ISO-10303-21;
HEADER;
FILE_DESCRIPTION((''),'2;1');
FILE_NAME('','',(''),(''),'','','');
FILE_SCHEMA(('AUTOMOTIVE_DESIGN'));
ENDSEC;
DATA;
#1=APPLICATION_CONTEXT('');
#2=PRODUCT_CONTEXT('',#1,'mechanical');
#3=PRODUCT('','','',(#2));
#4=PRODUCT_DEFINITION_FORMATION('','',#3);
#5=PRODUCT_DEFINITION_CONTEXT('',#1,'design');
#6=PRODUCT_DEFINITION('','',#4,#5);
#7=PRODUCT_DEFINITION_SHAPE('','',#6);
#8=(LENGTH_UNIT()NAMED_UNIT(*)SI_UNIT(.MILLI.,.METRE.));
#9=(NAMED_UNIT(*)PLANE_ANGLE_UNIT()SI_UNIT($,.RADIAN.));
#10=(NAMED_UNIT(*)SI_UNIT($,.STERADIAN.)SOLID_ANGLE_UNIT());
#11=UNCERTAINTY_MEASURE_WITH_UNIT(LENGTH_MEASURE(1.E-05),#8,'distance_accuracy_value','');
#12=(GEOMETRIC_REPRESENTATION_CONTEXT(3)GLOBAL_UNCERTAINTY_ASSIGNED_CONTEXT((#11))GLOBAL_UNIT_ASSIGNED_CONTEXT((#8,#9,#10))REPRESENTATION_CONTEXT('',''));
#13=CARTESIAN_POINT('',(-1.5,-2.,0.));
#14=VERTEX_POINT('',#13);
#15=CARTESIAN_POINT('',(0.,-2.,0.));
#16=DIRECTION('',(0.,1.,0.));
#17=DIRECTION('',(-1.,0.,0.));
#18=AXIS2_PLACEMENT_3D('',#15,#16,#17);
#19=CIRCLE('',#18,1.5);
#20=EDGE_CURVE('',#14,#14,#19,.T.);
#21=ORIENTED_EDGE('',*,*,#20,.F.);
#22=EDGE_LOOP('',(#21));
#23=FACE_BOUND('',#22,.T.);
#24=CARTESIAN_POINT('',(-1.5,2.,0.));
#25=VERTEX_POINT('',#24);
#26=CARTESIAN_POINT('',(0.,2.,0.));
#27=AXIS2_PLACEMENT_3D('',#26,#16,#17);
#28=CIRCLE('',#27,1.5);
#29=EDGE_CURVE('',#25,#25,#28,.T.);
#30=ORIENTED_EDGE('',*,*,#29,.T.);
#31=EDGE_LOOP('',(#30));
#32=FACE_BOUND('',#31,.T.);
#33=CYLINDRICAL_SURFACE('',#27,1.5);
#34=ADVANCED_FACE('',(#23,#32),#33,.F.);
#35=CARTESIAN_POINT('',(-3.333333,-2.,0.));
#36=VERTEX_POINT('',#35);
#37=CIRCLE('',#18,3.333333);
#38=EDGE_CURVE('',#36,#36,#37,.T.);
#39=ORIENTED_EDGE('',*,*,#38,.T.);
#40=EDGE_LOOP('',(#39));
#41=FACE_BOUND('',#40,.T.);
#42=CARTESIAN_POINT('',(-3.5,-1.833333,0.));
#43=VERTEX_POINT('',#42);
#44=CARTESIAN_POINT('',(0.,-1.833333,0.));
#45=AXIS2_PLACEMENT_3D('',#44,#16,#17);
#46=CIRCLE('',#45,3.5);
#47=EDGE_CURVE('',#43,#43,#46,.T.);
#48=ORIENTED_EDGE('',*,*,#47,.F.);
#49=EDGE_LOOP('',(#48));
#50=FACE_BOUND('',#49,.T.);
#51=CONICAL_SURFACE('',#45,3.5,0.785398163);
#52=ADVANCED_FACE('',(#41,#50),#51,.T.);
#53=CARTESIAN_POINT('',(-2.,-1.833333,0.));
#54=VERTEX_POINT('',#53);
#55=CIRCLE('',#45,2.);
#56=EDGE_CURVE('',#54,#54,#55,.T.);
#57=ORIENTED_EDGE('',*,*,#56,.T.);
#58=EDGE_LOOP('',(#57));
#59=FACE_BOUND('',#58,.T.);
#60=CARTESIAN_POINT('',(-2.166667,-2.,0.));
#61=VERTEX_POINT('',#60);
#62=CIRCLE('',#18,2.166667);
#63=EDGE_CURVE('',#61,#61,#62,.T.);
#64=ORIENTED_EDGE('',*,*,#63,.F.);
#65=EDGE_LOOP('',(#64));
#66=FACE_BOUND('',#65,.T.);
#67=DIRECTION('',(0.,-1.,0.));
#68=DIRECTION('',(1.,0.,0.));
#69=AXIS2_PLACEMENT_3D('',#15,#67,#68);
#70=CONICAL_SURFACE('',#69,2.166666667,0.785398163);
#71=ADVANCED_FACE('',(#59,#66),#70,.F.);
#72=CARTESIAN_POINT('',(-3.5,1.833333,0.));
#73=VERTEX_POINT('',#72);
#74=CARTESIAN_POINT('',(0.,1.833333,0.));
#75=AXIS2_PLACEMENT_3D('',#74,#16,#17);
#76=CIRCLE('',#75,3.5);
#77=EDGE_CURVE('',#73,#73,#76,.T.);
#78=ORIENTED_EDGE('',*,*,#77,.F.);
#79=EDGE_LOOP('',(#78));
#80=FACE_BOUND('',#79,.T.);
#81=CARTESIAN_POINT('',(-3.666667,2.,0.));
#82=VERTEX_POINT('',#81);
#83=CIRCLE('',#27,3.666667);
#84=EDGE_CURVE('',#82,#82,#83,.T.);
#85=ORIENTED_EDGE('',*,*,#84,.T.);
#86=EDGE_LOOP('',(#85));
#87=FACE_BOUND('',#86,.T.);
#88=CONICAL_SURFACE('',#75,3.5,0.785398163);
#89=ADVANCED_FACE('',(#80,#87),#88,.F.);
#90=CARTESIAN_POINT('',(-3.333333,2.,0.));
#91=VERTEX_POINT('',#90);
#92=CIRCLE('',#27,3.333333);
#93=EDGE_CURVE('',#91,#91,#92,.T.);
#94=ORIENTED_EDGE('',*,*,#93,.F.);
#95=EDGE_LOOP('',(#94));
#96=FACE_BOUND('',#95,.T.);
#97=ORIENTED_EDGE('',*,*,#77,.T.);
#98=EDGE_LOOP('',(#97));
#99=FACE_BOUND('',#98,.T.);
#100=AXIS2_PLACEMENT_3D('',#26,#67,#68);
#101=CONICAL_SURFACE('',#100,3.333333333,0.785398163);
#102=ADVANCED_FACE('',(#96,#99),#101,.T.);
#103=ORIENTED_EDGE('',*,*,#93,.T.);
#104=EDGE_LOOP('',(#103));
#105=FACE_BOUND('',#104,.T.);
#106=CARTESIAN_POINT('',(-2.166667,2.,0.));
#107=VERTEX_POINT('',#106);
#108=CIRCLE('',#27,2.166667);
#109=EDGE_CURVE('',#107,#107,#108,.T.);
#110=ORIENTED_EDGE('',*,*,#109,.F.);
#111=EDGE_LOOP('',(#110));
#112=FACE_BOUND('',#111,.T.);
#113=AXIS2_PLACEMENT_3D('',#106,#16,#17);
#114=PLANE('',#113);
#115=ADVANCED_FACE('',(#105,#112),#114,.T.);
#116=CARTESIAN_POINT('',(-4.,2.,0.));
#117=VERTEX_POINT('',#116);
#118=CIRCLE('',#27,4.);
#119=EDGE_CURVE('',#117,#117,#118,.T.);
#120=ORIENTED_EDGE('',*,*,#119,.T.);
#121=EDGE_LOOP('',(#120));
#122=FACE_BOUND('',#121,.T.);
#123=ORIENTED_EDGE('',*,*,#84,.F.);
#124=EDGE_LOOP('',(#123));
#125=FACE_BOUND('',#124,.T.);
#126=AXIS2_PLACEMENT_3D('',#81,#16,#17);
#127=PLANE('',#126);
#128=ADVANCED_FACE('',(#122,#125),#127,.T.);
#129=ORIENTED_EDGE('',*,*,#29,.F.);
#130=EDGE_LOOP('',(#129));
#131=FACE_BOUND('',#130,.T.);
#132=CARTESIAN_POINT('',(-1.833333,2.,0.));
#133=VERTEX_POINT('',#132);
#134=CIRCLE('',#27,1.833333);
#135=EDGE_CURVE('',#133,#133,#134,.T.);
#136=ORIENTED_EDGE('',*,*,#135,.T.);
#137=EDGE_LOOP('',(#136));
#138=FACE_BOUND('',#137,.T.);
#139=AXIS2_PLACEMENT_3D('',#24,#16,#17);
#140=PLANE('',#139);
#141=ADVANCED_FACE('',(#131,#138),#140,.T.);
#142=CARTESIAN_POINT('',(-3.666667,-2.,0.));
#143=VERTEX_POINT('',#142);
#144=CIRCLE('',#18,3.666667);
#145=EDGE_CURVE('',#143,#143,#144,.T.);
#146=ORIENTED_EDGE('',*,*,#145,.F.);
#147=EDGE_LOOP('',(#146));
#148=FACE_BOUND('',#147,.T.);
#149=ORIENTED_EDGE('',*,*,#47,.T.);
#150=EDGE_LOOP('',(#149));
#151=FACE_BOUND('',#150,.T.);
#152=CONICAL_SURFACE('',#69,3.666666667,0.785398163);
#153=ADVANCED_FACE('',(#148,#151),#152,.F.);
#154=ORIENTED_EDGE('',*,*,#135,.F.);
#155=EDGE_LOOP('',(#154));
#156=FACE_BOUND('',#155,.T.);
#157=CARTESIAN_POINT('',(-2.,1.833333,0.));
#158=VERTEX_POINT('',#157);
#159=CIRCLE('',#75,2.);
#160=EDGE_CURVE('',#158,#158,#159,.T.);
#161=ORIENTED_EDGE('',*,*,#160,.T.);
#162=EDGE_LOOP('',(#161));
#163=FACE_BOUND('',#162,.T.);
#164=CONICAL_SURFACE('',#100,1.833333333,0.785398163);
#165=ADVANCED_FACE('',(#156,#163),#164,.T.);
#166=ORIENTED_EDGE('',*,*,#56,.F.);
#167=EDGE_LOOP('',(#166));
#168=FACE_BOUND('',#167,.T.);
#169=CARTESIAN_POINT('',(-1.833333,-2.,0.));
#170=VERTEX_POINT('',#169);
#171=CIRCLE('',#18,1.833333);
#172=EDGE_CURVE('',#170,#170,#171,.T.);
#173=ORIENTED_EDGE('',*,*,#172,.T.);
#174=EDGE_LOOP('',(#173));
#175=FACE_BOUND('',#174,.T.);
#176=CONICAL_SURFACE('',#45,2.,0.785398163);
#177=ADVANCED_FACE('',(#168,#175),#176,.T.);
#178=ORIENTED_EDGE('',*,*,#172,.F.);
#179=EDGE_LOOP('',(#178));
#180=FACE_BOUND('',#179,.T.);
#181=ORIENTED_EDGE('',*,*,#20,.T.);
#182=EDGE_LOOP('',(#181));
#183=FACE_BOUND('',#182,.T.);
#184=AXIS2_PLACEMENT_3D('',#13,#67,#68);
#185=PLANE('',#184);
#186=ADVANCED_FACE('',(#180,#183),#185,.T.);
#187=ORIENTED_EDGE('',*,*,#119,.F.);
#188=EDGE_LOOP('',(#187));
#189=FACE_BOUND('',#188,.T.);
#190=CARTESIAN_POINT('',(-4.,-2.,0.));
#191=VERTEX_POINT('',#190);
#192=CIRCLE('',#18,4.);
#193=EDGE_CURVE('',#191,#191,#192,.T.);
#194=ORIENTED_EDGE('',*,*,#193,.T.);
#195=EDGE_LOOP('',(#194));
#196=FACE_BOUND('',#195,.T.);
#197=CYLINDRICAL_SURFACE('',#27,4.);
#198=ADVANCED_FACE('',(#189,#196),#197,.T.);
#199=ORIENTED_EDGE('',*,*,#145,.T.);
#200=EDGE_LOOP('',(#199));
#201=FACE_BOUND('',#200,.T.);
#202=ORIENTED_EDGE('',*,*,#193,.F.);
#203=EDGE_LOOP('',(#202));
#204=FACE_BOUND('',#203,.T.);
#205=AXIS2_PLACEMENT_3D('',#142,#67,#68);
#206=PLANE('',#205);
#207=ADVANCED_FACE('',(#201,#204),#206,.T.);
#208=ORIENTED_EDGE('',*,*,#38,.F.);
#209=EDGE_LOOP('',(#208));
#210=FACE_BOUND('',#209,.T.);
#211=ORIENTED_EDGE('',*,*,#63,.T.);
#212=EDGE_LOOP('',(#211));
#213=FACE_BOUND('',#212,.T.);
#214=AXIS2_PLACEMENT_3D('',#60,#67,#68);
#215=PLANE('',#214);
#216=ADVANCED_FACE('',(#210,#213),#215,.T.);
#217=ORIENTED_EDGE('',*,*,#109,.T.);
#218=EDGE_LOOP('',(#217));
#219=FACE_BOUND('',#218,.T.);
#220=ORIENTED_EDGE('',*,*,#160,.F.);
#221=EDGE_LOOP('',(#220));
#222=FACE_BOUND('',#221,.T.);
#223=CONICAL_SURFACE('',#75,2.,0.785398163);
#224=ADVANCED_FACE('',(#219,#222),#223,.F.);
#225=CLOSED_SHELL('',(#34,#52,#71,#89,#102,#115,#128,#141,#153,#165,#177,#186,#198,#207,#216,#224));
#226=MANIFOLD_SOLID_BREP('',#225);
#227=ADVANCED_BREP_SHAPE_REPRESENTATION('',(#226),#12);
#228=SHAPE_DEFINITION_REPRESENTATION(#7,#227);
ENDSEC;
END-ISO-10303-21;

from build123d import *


with BuildPart() as part:
    # Sketch1 → Revolve1 (revolve)
    with BuildSketch(Plane.XY):
        Polygon((-1.5, 2), (-1.833333333, 2), (-2, 1.833333333), (-2.166666667, 2), (-3.333333333, 2), (-3.5, 1.833333333), (-3.666666667, 2), (-4, 2), (-4, -2), (-3.666666667, -2), (-3.5, -1.833333333), (-3.333333333, -2), (-2.166666667, -2), (-2, -1.833333333), (-1.833333333, -2), (-1.5, -2), align=None)
    revolve(axis=Axis((0, 2, 0), (0, -1, 0)))


solid = part.part
